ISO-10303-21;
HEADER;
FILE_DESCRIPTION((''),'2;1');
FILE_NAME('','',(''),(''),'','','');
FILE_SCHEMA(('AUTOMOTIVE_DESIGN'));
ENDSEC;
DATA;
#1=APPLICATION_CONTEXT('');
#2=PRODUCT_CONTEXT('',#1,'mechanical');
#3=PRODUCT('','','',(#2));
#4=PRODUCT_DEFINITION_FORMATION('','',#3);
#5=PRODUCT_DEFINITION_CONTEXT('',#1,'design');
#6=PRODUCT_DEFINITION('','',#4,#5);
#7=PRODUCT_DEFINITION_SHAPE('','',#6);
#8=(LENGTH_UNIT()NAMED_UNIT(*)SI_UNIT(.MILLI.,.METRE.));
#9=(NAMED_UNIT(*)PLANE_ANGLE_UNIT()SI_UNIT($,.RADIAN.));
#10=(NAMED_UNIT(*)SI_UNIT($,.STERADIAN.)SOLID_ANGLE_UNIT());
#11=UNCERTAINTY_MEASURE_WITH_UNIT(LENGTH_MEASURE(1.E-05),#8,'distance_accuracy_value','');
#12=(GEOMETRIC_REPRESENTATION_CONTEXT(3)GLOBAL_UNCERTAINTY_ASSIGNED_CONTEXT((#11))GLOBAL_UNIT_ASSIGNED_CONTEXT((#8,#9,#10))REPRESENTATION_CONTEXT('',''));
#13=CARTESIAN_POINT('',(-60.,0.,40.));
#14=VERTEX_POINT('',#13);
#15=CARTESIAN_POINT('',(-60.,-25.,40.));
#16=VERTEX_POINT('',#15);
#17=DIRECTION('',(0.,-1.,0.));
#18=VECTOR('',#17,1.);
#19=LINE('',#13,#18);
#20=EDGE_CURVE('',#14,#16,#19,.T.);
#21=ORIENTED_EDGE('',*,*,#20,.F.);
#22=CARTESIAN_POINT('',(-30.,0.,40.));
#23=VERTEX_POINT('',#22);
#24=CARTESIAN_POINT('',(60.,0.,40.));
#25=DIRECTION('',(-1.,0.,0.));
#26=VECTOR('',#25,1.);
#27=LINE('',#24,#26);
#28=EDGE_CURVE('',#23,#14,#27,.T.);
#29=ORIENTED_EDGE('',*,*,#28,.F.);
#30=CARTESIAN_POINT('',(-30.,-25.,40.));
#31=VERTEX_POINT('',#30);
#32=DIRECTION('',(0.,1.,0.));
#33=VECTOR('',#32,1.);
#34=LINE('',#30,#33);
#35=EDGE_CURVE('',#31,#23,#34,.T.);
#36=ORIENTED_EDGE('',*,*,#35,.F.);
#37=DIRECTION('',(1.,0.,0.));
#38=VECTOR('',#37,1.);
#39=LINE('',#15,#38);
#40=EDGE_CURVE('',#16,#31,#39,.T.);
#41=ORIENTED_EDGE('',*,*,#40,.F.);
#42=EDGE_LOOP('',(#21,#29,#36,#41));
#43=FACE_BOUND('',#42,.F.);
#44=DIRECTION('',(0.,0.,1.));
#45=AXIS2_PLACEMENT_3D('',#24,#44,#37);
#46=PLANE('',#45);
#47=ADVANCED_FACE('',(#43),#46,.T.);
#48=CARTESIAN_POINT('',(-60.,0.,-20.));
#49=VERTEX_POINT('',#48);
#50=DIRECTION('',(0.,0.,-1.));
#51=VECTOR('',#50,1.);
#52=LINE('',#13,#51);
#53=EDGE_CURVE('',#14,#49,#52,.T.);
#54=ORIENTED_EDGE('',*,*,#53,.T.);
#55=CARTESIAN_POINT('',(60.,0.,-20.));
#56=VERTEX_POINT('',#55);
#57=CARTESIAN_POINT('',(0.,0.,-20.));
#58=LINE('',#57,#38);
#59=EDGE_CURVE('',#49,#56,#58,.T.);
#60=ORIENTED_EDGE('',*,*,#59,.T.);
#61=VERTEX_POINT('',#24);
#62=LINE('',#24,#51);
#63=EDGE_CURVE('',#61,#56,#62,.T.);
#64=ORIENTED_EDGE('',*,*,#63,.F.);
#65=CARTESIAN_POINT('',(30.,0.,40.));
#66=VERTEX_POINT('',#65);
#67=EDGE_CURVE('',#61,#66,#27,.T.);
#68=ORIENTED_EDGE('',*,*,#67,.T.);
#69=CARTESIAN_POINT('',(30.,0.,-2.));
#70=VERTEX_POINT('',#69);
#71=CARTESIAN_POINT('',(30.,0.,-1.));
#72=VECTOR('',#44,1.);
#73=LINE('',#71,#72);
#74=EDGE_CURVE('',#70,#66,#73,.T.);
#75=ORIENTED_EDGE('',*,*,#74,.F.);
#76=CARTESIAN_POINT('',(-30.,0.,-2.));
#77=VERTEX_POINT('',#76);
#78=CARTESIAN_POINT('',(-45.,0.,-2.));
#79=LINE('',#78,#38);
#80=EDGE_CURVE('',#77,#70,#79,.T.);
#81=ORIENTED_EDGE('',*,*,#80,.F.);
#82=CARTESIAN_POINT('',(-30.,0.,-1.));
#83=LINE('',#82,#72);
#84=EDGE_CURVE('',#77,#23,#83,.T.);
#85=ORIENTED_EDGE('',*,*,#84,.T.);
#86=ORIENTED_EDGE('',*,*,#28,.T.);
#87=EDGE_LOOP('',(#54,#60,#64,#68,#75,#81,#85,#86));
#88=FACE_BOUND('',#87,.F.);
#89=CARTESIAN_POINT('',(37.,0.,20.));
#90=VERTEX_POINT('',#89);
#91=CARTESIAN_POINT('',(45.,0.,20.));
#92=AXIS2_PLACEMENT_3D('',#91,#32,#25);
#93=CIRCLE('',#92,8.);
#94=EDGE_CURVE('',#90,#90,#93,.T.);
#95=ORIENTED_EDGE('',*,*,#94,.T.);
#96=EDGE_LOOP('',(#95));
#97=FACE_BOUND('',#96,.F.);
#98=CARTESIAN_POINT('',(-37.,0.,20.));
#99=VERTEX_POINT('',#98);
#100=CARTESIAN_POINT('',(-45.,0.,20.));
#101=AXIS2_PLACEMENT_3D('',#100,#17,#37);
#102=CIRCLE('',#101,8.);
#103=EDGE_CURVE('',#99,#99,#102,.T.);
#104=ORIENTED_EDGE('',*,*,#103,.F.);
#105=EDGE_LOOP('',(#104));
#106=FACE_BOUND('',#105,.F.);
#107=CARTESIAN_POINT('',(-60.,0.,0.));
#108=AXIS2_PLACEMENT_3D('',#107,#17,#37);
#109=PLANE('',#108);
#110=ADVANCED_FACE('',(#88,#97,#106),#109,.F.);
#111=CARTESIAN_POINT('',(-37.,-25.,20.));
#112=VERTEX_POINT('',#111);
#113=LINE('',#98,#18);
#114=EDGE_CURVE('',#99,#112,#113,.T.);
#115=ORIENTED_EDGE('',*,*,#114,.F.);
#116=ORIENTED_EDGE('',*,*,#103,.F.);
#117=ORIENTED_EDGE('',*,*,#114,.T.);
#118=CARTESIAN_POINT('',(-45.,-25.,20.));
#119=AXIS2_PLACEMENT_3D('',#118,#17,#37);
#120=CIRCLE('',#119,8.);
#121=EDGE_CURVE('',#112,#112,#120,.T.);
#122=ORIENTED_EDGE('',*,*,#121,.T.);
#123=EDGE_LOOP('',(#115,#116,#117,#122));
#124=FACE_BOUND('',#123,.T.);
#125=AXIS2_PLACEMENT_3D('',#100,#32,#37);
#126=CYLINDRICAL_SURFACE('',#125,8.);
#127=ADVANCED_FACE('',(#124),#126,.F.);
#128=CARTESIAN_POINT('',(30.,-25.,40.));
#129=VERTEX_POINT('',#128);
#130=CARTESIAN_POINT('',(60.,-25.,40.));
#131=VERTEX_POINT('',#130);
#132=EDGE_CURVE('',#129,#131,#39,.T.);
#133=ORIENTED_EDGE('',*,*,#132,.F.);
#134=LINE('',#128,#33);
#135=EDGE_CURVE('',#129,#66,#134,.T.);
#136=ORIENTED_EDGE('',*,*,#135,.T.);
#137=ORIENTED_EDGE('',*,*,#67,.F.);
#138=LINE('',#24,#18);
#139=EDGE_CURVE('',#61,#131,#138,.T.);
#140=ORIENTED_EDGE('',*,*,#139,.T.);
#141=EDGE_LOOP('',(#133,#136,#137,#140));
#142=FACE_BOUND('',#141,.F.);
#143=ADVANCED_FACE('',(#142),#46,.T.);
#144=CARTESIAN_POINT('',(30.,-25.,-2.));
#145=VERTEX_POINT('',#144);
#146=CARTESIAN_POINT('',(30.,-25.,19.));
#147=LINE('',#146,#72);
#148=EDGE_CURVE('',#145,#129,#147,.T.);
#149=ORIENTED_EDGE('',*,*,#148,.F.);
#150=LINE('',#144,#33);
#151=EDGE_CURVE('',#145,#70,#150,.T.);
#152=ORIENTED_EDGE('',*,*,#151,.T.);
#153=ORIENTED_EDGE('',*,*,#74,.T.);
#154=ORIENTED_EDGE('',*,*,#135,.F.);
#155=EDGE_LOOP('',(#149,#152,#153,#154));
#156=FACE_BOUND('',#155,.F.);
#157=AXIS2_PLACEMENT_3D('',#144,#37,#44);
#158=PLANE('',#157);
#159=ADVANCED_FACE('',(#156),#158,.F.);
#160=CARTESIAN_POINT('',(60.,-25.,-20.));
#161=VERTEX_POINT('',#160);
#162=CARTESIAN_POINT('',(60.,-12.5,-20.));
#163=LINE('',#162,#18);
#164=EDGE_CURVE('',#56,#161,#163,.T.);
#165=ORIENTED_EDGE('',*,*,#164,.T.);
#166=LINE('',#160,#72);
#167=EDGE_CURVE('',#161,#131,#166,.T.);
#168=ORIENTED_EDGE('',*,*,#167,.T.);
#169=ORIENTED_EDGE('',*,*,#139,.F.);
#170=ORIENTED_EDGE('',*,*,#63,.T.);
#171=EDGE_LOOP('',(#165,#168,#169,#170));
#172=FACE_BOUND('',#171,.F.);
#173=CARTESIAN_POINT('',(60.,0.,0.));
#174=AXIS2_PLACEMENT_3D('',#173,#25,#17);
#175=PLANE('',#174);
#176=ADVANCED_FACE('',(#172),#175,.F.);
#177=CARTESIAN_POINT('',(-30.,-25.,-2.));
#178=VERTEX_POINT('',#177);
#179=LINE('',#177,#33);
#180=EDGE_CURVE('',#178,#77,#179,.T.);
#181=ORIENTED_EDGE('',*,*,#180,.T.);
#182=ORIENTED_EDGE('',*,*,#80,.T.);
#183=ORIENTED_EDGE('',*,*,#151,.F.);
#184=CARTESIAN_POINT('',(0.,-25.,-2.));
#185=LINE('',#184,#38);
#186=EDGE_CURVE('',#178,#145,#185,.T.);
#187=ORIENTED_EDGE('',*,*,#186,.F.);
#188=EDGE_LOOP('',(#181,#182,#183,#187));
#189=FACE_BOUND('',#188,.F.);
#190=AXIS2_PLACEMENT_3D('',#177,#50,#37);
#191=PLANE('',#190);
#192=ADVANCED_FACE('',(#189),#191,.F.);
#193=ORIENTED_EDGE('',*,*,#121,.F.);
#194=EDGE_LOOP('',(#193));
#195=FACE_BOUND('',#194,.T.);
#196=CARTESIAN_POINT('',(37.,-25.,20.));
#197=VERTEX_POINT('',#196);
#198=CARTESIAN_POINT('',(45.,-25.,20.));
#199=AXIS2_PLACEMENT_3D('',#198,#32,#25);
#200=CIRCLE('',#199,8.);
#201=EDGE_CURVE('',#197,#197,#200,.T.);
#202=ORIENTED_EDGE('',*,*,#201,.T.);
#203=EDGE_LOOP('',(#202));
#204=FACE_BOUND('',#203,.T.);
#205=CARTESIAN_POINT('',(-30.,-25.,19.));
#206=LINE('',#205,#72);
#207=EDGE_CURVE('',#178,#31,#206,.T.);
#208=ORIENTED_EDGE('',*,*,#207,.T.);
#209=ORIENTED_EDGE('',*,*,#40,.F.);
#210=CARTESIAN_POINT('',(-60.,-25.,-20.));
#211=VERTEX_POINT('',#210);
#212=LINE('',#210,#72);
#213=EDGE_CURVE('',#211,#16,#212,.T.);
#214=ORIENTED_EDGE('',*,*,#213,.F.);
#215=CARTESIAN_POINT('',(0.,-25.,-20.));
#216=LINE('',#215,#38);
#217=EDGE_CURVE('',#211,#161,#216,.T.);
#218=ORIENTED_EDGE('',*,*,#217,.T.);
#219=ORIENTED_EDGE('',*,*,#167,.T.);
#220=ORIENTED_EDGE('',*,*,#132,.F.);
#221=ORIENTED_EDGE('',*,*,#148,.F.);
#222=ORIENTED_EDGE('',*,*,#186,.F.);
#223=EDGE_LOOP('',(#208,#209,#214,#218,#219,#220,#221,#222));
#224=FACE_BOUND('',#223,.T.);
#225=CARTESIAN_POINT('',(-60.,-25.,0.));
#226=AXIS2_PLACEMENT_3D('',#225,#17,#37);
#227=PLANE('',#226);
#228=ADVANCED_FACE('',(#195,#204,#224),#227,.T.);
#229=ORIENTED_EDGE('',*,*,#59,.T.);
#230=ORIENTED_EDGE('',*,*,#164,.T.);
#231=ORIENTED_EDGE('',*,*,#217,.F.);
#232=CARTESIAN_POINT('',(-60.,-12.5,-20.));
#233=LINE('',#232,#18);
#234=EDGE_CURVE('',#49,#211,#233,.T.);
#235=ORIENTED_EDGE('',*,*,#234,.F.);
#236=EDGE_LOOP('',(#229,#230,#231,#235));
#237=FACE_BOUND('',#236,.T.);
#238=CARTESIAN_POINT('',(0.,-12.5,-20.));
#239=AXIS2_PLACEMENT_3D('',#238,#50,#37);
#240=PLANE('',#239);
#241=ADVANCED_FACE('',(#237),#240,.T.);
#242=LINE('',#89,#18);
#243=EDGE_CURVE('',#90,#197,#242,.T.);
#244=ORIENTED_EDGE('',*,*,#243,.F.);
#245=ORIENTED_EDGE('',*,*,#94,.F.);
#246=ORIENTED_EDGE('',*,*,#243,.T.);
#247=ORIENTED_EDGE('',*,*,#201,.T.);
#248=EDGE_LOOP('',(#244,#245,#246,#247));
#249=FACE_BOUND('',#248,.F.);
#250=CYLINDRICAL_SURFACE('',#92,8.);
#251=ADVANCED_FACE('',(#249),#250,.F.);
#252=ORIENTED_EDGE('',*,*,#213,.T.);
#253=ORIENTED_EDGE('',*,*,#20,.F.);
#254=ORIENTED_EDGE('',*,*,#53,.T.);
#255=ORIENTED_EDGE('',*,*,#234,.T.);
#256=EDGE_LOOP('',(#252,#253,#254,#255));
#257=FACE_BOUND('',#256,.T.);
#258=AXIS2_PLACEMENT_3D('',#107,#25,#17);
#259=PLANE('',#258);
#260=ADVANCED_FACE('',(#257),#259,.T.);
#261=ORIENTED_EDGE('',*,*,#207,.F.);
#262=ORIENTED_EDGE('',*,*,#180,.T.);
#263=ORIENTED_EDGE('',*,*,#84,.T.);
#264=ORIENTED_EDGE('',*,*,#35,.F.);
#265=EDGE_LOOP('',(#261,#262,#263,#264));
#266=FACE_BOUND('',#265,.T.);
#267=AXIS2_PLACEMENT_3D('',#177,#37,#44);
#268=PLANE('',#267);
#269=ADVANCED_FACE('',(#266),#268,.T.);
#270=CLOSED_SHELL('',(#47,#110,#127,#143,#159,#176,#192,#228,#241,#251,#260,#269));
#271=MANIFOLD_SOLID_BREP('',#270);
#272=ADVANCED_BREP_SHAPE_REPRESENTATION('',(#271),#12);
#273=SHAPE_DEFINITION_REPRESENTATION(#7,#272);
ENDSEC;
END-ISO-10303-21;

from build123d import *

# Parameters (mm, degrees)
F0_W      = 60
F0_H      = 40
F0_R      = 8
F1_DEPTH  = 25
F2_FACE_W = 120
F2_FACE_H = 25
F3_DEPTH  = 20
F4_W      = 60
F4_H      = 42
F5_DEPTH  = 25.001


with BuildPart() as f1:
    # F0 (on Front) → F1 (new body)
    with BuildSketch(Plane.XZ):
        with Locations((-30, 20)):
            Rectangle(F0_W, F0_H)
        with Locations((-45, 20)):
            Circle(F0_R, mode=Mode.SUBTRACT)
    extrude(amount=F1_DEPTH)

    # F2: F1 across face


with BuildPart() as f1_1:
    add(f1.part)
    add(f1.part.mirror(Plane(origin=(0, -12.5, 20), x_dir=(0, 1, 0), z_dir=(1, 0, 0))))

    # F2_face (on face) → F3 (join)
    with BuildSketch(Plane(origin=(0, -12.5, 0), x_dir=(1, 0, 0), z_dir=(0, 0, -1))):
        Rectangle(F2_FACE_W, F2_FACE_H)
    extrude(amount=F3_DEPTH)

    # F4 (on face) → F5 (cut, through all)
    with BuildSketch(Plane.XZ.offset(25)):
        with Locations((0, 19)):
            Rectangle(F4_W, F4_H)
    extrude(amount=-F5_DEPTH, mode=Mode.SUBTRACT)


solid = f1_1.part
